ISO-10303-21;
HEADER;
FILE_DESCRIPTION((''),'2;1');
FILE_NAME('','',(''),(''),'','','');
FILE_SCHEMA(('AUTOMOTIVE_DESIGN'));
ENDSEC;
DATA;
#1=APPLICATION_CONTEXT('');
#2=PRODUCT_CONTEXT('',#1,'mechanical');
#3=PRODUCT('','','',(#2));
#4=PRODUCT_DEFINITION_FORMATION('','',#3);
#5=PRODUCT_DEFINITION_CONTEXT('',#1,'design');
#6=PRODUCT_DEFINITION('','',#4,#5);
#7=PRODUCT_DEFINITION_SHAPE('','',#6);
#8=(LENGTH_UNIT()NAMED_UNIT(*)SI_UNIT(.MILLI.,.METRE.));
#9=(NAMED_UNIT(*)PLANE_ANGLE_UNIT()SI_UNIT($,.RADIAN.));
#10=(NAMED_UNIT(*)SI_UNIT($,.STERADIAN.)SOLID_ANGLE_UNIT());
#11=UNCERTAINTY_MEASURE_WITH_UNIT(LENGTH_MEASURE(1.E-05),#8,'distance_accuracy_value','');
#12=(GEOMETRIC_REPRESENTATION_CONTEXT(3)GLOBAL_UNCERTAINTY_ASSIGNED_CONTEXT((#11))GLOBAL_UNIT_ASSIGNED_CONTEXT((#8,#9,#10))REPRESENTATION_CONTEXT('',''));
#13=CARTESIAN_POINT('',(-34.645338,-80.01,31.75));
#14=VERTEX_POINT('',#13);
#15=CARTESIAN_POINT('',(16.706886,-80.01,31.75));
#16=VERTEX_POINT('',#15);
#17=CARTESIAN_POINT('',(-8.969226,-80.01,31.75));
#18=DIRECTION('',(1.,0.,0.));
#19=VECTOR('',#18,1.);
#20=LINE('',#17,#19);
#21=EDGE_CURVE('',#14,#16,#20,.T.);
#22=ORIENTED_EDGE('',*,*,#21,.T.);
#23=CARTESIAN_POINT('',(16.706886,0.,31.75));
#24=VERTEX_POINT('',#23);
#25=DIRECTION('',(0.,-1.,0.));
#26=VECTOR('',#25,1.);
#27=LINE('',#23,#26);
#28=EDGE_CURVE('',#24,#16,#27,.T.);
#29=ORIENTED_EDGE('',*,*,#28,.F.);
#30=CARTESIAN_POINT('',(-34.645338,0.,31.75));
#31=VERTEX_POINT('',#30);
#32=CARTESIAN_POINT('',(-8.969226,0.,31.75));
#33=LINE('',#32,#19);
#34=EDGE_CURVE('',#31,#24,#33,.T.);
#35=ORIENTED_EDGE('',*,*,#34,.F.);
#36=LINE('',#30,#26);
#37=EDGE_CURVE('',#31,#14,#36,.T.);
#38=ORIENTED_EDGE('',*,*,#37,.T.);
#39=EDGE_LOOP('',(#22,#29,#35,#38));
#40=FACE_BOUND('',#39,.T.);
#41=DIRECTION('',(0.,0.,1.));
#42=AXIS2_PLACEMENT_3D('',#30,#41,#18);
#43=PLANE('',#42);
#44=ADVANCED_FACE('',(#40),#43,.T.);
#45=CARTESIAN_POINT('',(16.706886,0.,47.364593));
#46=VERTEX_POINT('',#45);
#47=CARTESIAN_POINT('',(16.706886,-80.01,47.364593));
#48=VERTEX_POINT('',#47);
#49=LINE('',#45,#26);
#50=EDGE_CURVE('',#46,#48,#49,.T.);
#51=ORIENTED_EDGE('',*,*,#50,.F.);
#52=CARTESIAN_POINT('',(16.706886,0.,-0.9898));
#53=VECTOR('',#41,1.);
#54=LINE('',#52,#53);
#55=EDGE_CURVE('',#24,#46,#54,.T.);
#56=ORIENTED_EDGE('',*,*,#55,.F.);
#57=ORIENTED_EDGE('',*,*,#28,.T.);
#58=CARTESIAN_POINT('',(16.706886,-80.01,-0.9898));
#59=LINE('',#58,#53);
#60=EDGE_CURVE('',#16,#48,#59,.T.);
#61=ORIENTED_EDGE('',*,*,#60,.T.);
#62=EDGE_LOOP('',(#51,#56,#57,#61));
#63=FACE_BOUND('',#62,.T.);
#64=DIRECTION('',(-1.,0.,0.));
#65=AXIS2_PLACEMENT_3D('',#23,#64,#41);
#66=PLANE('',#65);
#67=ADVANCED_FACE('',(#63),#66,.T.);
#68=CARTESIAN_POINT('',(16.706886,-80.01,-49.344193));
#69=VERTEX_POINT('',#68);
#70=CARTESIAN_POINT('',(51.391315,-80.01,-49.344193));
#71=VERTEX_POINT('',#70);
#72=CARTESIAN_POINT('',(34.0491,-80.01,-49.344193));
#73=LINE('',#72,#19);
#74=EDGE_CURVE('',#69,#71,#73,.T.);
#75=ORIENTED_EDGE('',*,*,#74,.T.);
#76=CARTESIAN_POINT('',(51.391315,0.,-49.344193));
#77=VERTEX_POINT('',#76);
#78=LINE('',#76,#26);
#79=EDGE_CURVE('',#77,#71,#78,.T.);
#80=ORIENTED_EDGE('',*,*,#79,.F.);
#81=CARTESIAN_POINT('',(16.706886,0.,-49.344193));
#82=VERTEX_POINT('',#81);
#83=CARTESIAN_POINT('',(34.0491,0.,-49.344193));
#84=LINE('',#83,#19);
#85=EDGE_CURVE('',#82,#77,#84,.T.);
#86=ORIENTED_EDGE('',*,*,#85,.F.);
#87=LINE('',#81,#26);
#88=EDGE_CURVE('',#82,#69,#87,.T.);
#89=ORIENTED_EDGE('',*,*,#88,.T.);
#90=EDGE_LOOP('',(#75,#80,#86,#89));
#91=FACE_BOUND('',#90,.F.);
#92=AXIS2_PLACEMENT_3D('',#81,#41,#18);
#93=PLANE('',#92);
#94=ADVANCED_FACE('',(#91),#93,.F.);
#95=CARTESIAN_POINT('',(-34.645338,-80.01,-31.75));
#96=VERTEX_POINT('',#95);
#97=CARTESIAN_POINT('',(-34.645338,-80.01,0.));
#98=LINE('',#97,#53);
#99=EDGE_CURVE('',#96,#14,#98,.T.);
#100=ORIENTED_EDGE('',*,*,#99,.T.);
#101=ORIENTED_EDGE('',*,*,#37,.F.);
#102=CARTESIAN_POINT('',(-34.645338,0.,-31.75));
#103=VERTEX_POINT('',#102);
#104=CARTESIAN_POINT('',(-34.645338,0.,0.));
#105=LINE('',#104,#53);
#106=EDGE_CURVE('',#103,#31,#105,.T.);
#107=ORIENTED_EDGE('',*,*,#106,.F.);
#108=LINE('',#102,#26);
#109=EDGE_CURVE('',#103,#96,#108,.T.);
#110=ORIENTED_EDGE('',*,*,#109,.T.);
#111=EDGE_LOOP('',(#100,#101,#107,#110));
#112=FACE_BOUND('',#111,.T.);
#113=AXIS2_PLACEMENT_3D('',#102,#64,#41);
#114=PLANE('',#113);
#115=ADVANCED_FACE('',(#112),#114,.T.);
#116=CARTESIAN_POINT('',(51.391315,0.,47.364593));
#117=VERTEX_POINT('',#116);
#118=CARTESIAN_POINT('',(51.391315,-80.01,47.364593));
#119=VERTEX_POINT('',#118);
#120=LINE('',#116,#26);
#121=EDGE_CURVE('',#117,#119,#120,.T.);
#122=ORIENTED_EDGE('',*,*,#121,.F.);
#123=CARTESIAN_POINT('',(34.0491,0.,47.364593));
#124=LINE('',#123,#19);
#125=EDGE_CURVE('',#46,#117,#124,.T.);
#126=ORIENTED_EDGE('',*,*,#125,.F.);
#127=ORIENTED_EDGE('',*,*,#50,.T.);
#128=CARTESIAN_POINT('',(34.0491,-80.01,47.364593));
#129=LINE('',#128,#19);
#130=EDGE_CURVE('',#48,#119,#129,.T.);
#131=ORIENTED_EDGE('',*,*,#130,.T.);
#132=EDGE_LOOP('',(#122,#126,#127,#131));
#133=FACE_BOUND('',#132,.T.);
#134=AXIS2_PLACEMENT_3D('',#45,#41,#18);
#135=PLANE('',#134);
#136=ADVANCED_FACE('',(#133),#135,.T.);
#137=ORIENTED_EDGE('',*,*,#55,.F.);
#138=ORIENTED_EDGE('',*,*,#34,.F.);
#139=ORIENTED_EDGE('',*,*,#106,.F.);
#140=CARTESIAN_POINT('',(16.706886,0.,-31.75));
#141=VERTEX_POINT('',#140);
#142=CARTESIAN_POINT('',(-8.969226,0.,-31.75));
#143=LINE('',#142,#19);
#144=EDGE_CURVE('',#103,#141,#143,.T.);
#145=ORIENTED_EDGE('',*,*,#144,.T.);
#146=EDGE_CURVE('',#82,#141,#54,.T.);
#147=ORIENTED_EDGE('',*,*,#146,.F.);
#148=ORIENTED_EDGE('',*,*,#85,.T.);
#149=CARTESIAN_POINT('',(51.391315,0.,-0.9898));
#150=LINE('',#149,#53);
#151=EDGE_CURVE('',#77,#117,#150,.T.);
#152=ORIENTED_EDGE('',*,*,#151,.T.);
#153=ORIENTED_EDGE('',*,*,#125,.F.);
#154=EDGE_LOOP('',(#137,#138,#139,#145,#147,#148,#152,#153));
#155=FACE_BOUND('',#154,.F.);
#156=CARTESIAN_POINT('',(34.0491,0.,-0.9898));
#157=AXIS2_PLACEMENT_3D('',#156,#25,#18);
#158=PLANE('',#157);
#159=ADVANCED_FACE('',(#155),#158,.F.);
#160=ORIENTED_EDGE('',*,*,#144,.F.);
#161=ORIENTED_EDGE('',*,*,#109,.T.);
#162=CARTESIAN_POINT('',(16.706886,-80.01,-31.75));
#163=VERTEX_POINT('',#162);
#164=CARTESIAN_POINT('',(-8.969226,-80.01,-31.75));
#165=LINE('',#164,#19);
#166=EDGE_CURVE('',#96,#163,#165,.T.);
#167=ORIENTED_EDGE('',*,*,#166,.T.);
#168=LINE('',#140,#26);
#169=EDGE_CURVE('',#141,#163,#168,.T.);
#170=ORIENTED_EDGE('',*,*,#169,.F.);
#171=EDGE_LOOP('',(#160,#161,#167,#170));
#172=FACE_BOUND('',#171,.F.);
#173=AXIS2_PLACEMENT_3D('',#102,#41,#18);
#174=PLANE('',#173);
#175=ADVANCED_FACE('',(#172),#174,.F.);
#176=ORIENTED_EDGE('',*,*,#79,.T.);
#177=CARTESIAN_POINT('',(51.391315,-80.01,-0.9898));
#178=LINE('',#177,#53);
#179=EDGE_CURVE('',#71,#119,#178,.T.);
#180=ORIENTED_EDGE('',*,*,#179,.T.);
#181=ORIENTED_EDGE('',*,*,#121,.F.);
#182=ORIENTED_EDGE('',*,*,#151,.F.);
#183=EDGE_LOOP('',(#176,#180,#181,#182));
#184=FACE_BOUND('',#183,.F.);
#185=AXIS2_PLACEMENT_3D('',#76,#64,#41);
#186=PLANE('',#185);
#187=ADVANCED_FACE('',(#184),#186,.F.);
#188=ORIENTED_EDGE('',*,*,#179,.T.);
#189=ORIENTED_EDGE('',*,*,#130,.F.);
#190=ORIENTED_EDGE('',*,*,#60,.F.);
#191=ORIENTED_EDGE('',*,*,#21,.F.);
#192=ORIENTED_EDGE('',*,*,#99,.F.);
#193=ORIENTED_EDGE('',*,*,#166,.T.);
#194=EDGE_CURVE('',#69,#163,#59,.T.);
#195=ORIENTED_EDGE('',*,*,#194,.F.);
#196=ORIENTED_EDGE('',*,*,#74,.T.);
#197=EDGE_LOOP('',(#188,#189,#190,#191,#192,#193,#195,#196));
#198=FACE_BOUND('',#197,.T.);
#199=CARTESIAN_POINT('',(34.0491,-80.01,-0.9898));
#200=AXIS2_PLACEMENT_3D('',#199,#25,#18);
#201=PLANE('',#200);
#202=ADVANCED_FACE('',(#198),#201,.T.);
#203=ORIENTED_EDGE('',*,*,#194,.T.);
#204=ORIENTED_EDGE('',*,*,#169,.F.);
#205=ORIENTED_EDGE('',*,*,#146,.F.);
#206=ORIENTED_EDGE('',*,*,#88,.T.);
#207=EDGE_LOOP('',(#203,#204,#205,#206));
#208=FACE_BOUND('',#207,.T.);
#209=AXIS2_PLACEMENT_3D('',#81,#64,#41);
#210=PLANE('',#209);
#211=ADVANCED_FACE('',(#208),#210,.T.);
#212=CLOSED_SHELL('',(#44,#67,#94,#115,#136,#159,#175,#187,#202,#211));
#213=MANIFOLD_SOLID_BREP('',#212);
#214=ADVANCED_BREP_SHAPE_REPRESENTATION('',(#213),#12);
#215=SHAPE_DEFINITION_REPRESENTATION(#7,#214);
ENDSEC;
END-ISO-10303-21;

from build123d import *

# Parameters (mm, degrees)
F1_W     = 34.6844289452
F1_H     = 96.7087857425
F1_W_2   = 51.3522233814
F1_H_2   = 63.5
F2_DEPTH = 80.01


with BuildPart() as f2:
    # F1 (on face) → F2 (new body)
    with BuildSketch(Plane.XZ):
        with Locations((34.0491002426, -0.9898003191)):
            Rectangle(F1_W, F1_H)
        with Locations((-8.9692259207, 0)):
            Rectangle(F1_W_2, F1_H_2)
    extrude(amount=F2_DEPTH)


solid = f2.part
